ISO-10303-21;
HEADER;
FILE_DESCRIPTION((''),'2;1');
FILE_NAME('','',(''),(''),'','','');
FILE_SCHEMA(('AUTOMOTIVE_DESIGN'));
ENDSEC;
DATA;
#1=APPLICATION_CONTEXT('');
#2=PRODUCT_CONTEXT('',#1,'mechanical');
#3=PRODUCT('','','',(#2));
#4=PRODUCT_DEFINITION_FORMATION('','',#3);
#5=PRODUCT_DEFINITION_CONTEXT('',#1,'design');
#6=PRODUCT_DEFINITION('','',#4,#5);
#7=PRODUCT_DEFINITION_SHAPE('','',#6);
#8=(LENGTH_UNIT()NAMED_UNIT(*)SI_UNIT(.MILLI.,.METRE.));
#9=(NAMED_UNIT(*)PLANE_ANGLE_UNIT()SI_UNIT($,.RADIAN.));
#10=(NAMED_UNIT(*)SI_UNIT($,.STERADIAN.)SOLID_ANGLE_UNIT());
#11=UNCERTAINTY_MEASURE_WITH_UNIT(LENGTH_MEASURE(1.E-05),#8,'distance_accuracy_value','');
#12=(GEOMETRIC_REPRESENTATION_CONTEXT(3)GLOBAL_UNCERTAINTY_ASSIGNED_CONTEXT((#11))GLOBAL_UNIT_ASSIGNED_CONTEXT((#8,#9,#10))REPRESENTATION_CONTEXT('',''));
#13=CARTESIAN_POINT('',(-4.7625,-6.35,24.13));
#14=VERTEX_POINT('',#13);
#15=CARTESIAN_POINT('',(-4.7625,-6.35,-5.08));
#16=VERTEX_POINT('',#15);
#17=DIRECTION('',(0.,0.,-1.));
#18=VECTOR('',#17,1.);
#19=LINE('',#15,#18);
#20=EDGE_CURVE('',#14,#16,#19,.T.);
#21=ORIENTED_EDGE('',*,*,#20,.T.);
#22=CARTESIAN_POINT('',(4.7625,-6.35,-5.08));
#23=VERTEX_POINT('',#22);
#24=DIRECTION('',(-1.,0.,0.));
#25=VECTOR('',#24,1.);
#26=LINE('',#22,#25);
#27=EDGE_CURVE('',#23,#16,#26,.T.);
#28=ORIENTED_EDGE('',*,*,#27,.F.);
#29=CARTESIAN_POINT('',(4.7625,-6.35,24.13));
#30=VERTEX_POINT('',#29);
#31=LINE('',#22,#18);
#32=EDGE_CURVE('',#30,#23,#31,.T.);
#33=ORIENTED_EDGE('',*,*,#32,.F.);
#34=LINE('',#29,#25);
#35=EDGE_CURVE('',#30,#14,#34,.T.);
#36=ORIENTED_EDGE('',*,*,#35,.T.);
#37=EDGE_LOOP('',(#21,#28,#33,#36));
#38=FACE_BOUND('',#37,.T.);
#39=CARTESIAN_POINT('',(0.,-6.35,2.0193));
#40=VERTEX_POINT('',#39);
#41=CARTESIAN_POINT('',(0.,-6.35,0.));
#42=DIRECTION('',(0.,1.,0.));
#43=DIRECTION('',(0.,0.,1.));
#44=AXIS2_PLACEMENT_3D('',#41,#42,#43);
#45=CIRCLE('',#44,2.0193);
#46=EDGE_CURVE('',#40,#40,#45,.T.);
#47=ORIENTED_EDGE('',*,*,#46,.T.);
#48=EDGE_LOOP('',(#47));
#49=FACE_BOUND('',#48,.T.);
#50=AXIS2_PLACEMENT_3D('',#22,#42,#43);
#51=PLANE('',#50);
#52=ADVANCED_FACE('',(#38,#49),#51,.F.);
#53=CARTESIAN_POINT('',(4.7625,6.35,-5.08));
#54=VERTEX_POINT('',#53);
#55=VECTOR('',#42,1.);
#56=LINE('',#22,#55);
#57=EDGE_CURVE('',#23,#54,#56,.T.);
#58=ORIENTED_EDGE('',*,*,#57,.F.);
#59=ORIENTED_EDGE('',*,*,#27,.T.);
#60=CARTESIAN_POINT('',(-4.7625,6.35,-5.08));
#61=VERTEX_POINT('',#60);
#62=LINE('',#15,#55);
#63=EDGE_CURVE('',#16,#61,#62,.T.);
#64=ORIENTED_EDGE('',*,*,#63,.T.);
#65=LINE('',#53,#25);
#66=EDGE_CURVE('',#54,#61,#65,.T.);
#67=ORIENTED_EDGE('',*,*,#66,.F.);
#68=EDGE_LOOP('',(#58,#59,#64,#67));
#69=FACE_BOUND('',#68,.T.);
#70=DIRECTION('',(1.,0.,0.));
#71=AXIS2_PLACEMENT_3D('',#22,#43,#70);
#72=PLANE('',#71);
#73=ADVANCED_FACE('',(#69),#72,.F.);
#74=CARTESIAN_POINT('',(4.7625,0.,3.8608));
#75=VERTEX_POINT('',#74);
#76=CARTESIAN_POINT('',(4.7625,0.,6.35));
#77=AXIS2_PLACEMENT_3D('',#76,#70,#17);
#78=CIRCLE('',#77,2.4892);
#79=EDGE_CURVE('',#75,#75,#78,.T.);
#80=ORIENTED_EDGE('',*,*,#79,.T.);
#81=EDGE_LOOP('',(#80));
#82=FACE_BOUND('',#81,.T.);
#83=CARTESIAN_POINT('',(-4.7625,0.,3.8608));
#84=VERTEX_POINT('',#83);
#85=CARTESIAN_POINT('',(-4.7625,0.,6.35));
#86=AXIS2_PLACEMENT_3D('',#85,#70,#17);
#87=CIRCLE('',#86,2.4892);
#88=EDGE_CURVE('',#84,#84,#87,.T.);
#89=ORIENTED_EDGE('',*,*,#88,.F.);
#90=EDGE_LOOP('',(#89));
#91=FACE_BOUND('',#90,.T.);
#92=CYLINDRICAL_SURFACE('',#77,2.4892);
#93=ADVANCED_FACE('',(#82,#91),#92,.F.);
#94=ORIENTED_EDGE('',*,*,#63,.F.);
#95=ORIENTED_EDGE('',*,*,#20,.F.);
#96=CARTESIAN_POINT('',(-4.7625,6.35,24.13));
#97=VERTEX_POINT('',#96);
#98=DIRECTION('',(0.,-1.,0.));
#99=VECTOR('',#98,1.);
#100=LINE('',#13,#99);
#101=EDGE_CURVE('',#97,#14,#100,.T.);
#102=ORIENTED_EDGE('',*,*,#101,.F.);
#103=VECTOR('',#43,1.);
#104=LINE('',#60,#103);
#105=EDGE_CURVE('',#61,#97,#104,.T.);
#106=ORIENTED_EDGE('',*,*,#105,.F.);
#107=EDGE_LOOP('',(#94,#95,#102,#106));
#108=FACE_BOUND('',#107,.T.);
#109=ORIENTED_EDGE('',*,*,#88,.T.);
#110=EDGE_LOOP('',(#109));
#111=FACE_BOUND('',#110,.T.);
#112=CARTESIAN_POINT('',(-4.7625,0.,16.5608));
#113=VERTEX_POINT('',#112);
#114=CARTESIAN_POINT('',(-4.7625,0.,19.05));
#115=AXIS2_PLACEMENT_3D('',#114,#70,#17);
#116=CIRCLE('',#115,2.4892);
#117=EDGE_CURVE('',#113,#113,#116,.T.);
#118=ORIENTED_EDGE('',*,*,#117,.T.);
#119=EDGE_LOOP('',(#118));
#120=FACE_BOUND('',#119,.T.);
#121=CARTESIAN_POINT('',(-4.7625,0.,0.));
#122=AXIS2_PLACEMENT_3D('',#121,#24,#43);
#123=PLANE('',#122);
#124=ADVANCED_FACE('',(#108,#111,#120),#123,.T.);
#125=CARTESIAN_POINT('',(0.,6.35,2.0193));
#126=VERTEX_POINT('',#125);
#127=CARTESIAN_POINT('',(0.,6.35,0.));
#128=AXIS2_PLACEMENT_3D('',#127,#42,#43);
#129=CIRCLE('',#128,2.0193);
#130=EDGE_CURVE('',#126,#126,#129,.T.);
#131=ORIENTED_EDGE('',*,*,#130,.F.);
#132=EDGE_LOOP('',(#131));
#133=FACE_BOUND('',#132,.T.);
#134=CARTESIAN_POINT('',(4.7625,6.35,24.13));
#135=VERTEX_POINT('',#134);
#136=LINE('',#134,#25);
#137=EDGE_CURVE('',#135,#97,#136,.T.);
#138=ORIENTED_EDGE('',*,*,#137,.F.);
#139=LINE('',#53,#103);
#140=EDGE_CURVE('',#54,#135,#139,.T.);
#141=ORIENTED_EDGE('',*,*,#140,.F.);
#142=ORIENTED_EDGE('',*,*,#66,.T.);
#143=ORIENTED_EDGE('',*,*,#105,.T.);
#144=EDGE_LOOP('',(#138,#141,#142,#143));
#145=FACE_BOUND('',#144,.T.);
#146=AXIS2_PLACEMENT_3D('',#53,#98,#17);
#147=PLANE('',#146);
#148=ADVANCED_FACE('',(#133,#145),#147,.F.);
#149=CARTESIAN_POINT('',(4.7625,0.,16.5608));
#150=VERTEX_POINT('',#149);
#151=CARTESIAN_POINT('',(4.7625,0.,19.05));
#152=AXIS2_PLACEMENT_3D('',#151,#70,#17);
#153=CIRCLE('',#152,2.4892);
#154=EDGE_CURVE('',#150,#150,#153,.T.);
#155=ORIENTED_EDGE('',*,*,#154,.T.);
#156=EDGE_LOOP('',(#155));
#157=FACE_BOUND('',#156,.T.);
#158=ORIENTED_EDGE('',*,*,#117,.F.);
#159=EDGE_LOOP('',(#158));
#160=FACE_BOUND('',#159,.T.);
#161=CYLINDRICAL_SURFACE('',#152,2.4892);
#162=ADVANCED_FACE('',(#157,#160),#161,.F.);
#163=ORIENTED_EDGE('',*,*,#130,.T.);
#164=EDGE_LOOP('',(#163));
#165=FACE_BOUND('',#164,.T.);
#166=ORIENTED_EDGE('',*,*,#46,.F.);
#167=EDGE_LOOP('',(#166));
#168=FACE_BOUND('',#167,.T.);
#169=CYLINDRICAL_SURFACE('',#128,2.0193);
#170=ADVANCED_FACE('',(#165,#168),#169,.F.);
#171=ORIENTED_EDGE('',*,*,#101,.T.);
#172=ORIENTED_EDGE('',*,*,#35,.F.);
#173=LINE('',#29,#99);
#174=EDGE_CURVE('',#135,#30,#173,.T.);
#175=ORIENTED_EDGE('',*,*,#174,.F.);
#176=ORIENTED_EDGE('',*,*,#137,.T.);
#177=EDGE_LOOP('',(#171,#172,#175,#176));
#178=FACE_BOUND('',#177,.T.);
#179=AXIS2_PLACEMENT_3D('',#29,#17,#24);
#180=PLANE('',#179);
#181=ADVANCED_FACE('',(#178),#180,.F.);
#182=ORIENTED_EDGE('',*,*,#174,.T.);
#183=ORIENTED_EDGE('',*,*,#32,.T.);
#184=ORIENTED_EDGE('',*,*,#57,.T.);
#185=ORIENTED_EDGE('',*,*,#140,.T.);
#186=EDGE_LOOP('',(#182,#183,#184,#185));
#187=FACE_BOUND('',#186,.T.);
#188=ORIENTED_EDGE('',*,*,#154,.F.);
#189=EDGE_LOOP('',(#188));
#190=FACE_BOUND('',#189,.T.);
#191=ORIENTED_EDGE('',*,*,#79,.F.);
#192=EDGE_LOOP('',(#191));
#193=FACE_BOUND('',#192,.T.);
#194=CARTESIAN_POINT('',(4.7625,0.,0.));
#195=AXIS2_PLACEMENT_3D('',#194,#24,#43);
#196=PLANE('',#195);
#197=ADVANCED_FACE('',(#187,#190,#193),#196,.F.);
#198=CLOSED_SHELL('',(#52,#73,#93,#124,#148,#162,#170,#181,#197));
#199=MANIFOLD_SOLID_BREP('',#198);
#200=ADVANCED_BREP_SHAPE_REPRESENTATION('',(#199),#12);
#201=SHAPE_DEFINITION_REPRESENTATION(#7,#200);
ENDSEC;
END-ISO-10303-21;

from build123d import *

# Parameters (mm, degrees)
SKETCH1_W              = 29.21
SKETCH1_H              = 12.7
BOSS_EXTRUDE1_DEPTH    = 4.7625
F_10_32_TAPPED_HOLE1_D = 4.0386
F_10_CLEARANCE_HOLE1_D = 4.9784


with BuildPart() as part:
    # Sketch1 → Boss-Extrude1 (new, symmetric)
    with BuildSketch(Plane(origin=(0, 0, 0), x_dir=(0, 0, -1), z_dir=(1, 0, 0))):
        with Locations((-9.525, 0)):
            Rectangle(SKETCH1_W, SKETCH1_H)
    extrude(amount=BOSS_EXTRUDE1_DEPTH, both=True)

    # #10-32 Tapped Hole1 (through all)
    with Locations(Plane(origin=(0, 6.35, 0), x_dir=(1, 0, 0), z_dir=(0, 1, 0))):
        with Locations((0, 0)):
            Hole(F_10_32_TAPPED_HOLE1_D / 2)

    # #10 Clearance Hole1 (through all)
    with Locations(Plane(origin=(4.7625, 0, 0), x_dir=(0, 0, -1), z_dir=(1, 0, 0))):
        with Locations((-6.35, 0), (-19.05, 0)):
            Hole(F_10_CLEARANCE_HOLE1_D / 2)


solid = part.part
